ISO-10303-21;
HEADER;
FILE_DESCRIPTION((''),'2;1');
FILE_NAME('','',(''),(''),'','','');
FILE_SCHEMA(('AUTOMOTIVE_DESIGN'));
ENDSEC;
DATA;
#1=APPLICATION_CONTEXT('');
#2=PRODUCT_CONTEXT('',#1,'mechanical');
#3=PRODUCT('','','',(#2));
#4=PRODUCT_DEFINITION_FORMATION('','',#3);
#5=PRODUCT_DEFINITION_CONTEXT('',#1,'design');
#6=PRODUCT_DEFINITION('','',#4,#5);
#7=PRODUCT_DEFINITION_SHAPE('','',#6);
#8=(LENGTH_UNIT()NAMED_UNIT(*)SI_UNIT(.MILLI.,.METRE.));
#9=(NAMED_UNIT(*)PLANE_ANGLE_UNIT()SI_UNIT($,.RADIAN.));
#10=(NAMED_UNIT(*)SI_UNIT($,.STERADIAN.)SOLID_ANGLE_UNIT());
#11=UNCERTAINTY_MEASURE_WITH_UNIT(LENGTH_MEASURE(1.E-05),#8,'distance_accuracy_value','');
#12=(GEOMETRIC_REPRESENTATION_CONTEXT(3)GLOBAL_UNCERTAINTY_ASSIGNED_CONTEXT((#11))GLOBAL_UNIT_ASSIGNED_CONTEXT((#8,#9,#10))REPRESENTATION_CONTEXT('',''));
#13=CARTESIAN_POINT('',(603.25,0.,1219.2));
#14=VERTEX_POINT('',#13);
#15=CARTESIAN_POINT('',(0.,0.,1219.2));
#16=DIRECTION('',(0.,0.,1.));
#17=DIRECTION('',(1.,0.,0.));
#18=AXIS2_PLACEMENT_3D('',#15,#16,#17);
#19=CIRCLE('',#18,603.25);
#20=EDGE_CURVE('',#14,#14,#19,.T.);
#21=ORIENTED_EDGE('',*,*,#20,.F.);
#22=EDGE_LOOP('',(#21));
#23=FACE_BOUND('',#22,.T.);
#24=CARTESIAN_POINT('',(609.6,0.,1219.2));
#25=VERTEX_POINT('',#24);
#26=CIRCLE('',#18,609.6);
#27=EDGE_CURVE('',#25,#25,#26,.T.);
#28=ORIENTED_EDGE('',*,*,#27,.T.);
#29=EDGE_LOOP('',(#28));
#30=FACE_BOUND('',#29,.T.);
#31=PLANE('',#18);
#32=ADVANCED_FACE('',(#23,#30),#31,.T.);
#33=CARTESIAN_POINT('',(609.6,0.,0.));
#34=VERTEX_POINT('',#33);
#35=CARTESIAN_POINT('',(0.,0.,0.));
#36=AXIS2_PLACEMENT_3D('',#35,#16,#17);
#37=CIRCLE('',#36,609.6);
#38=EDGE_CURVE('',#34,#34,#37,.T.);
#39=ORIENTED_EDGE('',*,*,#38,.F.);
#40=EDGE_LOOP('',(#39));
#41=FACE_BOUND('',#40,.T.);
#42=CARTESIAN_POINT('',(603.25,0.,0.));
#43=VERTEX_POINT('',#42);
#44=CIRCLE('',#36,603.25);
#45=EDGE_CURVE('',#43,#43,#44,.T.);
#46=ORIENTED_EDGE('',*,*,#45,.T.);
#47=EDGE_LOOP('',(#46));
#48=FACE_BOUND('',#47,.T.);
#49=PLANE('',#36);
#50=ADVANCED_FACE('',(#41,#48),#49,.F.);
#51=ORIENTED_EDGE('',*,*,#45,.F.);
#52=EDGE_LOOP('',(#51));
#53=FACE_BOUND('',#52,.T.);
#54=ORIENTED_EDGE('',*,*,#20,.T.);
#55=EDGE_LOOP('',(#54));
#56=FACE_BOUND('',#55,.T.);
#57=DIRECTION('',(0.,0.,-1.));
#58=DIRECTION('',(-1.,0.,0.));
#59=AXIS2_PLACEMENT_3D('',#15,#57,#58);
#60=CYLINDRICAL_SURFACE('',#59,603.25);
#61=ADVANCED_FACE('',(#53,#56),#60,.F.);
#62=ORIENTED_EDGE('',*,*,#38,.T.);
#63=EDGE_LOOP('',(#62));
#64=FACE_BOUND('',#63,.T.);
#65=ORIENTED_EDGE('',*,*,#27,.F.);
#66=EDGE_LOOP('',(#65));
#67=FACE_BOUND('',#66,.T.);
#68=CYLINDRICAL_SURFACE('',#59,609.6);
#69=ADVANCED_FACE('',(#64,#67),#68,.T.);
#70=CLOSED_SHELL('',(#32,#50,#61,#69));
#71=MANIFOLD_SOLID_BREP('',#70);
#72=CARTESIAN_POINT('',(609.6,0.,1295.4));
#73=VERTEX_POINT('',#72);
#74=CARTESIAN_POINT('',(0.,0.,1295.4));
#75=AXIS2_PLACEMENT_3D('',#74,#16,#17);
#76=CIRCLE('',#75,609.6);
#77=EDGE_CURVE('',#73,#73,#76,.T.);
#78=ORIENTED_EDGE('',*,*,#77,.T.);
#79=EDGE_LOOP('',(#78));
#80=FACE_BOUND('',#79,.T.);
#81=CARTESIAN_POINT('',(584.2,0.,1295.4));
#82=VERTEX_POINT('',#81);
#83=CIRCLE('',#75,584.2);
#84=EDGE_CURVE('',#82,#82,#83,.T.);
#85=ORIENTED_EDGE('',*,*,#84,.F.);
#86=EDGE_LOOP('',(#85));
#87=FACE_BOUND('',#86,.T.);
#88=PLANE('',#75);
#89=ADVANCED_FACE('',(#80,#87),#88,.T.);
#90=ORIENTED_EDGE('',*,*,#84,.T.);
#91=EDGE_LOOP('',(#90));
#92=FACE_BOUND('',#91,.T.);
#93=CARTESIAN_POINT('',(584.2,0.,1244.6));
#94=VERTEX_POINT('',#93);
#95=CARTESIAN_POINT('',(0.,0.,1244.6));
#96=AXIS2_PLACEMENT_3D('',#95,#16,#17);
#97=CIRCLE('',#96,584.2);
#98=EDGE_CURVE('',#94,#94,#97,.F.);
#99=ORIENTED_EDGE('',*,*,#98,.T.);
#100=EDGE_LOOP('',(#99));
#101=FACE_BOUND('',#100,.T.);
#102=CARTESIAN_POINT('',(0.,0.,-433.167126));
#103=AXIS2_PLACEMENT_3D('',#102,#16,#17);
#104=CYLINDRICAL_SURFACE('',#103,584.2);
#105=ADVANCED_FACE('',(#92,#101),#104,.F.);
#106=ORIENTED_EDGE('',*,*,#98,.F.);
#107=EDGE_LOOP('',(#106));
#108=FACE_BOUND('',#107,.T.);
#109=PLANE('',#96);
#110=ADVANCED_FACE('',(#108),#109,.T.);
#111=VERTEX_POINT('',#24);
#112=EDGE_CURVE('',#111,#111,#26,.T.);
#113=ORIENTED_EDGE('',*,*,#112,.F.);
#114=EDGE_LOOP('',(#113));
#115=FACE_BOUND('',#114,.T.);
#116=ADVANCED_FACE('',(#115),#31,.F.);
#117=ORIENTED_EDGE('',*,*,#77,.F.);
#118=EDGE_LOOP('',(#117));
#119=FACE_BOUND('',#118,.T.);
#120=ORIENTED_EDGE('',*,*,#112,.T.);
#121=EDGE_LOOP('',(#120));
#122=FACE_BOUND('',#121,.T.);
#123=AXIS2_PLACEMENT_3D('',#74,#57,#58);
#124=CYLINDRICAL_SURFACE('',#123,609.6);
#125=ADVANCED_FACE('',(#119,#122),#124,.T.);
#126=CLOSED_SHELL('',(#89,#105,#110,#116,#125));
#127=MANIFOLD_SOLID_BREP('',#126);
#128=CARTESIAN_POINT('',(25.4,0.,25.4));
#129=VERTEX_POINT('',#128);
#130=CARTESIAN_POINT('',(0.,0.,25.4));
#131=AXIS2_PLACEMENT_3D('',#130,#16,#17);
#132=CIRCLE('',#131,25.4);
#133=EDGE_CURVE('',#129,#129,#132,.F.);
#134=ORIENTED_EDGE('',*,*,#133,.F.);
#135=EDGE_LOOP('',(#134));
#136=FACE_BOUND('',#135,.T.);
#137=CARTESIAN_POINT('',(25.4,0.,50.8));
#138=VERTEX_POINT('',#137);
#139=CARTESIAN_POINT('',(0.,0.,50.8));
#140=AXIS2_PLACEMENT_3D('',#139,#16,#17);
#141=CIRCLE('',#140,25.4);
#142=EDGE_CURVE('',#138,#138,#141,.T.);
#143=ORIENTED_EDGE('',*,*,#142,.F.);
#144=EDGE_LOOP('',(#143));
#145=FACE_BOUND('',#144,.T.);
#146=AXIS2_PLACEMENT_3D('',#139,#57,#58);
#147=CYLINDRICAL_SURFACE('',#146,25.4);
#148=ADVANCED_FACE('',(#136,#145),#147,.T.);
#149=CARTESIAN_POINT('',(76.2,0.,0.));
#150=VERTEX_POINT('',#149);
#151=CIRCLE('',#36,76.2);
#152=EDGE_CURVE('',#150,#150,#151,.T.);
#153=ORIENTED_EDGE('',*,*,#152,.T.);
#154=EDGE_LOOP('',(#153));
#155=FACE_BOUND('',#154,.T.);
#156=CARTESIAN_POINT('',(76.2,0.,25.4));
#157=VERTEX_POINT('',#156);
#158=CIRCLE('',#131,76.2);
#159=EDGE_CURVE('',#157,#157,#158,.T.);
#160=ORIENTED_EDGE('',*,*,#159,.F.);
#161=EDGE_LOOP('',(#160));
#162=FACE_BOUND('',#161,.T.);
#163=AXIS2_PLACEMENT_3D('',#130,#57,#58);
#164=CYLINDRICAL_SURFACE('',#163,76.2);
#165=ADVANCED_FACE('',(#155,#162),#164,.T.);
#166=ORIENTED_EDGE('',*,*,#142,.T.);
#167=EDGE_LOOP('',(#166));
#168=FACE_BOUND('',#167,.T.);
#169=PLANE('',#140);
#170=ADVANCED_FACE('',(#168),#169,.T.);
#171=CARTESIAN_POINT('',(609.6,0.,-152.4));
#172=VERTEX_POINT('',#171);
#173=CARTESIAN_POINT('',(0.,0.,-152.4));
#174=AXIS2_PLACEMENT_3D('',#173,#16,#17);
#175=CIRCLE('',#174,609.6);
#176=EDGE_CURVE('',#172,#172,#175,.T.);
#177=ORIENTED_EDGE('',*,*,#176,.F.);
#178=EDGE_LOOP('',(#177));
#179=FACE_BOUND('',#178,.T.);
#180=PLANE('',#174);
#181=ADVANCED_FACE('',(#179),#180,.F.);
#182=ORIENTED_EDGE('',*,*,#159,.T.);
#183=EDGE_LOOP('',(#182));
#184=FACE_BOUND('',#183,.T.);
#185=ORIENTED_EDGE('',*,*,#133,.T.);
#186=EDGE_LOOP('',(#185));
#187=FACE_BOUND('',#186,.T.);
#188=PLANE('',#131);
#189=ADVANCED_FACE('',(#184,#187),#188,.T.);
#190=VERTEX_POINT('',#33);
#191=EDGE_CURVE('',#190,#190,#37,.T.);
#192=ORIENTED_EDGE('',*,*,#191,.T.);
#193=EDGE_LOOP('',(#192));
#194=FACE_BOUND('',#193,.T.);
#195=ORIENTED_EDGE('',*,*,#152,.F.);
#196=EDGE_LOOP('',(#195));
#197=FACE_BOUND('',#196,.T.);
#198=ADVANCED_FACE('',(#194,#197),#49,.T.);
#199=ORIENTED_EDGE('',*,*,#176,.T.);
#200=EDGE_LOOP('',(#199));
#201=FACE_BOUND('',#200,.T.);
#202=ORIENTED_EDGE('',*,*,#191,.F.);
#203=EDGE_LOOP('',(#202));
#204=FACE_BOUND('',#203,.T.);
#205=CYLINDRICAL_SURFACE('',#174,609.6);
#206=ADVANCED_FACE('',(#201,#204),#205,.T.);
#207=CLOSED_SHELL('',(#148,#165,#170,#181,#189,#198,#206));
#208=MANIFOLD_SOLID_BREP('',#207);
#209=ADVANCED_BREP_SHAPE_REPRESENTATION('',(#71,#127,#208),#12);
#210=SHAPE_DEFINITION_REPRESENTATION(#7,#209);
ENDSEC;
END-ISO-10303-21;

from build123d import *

# Parameters (mm, degrees)
SKETCH1_R           = 609.6
BOSS_EXTRUDE1_DEPTH = 152.4
SKETCH5_R           = 25.4
SKETCH5_R_2         = 76.2
BOSS_EXTRUDE5_DEPTH = 25.4
SKETCH5_3_R         = 25.4
BOSS_EXTRUDE6_DEPTH = 50.8
SKETCH2_R           = 609.6
SKETCH2_R_2         = 603.25
BOSS_EXTRUDE2_DEPTH = 1219.2
SKETCH3_R           = 609.6
BOSS_EXTRUDE3_DEPTH = 76.2
SKETCH4_R           = 584.2
CUT_EXTRUDE1_DEPTH  = 50.8


with BuildPart() as part:
    # Sketch1 → Boss-Extrude1 (new body)
    with BuildSketch(Plane.XY):
        Circle(SKETCH1_R)
    extrude(amount=-BOSS_EXTRUDE1_DEPTH)

    # Sketch5 → Boss-Extrude5 (add)
    with BuildSketch(Plane.XY):
        Circle(SKETCH5_R)
        Circle(SKETCH5_R_2)
        Circle(SKETCH5_R, mode=Mode.SUBTRACT)
    extrude(amount=BOSS_EXTRUDE5_DEPTH)

    # Sketch5<3> → Boss-Extrude6 (add)
    with BuildSketch(Plane.XY):
        Circle(SKETCH5_3_R)
    extrude(amount=BOSS_EXTRUDE6_DEPTH)


with BuildPart() as body_2:
    # Sketch2 → Boss-Extrude2 (new body)
    with BuildSketch(Plane.XY):
        Circle(SKETCH2_R)
        Circle(SKETCH2_R_2, mode=Mode.SUBTRACT)
    extrude(amount=BOSS_EXTRUDE2_DEPTH)


with BuildPart() as body_3:
    # Sketch3 → Boss-Extrude3 (new body)
    with BuildSketch(Plane.XY.offset(1219.2)):
        Circle(SKETCH3_R)
    extrude(amount=BOSS_EXTRUDE3_DEPTH)

    # Sketch4 → Cut-Extrude1 (cut)
    with BuildSketch(Plane.XY.offset(1295.4)):
        Circle(SKETCH4_R)
    extrude(amount=-CUT_EXTRUDE1_DEPTH, mode=Mode.SUBTRACT)


solid = Compound([part.part, body_2.part, body_3.part])
